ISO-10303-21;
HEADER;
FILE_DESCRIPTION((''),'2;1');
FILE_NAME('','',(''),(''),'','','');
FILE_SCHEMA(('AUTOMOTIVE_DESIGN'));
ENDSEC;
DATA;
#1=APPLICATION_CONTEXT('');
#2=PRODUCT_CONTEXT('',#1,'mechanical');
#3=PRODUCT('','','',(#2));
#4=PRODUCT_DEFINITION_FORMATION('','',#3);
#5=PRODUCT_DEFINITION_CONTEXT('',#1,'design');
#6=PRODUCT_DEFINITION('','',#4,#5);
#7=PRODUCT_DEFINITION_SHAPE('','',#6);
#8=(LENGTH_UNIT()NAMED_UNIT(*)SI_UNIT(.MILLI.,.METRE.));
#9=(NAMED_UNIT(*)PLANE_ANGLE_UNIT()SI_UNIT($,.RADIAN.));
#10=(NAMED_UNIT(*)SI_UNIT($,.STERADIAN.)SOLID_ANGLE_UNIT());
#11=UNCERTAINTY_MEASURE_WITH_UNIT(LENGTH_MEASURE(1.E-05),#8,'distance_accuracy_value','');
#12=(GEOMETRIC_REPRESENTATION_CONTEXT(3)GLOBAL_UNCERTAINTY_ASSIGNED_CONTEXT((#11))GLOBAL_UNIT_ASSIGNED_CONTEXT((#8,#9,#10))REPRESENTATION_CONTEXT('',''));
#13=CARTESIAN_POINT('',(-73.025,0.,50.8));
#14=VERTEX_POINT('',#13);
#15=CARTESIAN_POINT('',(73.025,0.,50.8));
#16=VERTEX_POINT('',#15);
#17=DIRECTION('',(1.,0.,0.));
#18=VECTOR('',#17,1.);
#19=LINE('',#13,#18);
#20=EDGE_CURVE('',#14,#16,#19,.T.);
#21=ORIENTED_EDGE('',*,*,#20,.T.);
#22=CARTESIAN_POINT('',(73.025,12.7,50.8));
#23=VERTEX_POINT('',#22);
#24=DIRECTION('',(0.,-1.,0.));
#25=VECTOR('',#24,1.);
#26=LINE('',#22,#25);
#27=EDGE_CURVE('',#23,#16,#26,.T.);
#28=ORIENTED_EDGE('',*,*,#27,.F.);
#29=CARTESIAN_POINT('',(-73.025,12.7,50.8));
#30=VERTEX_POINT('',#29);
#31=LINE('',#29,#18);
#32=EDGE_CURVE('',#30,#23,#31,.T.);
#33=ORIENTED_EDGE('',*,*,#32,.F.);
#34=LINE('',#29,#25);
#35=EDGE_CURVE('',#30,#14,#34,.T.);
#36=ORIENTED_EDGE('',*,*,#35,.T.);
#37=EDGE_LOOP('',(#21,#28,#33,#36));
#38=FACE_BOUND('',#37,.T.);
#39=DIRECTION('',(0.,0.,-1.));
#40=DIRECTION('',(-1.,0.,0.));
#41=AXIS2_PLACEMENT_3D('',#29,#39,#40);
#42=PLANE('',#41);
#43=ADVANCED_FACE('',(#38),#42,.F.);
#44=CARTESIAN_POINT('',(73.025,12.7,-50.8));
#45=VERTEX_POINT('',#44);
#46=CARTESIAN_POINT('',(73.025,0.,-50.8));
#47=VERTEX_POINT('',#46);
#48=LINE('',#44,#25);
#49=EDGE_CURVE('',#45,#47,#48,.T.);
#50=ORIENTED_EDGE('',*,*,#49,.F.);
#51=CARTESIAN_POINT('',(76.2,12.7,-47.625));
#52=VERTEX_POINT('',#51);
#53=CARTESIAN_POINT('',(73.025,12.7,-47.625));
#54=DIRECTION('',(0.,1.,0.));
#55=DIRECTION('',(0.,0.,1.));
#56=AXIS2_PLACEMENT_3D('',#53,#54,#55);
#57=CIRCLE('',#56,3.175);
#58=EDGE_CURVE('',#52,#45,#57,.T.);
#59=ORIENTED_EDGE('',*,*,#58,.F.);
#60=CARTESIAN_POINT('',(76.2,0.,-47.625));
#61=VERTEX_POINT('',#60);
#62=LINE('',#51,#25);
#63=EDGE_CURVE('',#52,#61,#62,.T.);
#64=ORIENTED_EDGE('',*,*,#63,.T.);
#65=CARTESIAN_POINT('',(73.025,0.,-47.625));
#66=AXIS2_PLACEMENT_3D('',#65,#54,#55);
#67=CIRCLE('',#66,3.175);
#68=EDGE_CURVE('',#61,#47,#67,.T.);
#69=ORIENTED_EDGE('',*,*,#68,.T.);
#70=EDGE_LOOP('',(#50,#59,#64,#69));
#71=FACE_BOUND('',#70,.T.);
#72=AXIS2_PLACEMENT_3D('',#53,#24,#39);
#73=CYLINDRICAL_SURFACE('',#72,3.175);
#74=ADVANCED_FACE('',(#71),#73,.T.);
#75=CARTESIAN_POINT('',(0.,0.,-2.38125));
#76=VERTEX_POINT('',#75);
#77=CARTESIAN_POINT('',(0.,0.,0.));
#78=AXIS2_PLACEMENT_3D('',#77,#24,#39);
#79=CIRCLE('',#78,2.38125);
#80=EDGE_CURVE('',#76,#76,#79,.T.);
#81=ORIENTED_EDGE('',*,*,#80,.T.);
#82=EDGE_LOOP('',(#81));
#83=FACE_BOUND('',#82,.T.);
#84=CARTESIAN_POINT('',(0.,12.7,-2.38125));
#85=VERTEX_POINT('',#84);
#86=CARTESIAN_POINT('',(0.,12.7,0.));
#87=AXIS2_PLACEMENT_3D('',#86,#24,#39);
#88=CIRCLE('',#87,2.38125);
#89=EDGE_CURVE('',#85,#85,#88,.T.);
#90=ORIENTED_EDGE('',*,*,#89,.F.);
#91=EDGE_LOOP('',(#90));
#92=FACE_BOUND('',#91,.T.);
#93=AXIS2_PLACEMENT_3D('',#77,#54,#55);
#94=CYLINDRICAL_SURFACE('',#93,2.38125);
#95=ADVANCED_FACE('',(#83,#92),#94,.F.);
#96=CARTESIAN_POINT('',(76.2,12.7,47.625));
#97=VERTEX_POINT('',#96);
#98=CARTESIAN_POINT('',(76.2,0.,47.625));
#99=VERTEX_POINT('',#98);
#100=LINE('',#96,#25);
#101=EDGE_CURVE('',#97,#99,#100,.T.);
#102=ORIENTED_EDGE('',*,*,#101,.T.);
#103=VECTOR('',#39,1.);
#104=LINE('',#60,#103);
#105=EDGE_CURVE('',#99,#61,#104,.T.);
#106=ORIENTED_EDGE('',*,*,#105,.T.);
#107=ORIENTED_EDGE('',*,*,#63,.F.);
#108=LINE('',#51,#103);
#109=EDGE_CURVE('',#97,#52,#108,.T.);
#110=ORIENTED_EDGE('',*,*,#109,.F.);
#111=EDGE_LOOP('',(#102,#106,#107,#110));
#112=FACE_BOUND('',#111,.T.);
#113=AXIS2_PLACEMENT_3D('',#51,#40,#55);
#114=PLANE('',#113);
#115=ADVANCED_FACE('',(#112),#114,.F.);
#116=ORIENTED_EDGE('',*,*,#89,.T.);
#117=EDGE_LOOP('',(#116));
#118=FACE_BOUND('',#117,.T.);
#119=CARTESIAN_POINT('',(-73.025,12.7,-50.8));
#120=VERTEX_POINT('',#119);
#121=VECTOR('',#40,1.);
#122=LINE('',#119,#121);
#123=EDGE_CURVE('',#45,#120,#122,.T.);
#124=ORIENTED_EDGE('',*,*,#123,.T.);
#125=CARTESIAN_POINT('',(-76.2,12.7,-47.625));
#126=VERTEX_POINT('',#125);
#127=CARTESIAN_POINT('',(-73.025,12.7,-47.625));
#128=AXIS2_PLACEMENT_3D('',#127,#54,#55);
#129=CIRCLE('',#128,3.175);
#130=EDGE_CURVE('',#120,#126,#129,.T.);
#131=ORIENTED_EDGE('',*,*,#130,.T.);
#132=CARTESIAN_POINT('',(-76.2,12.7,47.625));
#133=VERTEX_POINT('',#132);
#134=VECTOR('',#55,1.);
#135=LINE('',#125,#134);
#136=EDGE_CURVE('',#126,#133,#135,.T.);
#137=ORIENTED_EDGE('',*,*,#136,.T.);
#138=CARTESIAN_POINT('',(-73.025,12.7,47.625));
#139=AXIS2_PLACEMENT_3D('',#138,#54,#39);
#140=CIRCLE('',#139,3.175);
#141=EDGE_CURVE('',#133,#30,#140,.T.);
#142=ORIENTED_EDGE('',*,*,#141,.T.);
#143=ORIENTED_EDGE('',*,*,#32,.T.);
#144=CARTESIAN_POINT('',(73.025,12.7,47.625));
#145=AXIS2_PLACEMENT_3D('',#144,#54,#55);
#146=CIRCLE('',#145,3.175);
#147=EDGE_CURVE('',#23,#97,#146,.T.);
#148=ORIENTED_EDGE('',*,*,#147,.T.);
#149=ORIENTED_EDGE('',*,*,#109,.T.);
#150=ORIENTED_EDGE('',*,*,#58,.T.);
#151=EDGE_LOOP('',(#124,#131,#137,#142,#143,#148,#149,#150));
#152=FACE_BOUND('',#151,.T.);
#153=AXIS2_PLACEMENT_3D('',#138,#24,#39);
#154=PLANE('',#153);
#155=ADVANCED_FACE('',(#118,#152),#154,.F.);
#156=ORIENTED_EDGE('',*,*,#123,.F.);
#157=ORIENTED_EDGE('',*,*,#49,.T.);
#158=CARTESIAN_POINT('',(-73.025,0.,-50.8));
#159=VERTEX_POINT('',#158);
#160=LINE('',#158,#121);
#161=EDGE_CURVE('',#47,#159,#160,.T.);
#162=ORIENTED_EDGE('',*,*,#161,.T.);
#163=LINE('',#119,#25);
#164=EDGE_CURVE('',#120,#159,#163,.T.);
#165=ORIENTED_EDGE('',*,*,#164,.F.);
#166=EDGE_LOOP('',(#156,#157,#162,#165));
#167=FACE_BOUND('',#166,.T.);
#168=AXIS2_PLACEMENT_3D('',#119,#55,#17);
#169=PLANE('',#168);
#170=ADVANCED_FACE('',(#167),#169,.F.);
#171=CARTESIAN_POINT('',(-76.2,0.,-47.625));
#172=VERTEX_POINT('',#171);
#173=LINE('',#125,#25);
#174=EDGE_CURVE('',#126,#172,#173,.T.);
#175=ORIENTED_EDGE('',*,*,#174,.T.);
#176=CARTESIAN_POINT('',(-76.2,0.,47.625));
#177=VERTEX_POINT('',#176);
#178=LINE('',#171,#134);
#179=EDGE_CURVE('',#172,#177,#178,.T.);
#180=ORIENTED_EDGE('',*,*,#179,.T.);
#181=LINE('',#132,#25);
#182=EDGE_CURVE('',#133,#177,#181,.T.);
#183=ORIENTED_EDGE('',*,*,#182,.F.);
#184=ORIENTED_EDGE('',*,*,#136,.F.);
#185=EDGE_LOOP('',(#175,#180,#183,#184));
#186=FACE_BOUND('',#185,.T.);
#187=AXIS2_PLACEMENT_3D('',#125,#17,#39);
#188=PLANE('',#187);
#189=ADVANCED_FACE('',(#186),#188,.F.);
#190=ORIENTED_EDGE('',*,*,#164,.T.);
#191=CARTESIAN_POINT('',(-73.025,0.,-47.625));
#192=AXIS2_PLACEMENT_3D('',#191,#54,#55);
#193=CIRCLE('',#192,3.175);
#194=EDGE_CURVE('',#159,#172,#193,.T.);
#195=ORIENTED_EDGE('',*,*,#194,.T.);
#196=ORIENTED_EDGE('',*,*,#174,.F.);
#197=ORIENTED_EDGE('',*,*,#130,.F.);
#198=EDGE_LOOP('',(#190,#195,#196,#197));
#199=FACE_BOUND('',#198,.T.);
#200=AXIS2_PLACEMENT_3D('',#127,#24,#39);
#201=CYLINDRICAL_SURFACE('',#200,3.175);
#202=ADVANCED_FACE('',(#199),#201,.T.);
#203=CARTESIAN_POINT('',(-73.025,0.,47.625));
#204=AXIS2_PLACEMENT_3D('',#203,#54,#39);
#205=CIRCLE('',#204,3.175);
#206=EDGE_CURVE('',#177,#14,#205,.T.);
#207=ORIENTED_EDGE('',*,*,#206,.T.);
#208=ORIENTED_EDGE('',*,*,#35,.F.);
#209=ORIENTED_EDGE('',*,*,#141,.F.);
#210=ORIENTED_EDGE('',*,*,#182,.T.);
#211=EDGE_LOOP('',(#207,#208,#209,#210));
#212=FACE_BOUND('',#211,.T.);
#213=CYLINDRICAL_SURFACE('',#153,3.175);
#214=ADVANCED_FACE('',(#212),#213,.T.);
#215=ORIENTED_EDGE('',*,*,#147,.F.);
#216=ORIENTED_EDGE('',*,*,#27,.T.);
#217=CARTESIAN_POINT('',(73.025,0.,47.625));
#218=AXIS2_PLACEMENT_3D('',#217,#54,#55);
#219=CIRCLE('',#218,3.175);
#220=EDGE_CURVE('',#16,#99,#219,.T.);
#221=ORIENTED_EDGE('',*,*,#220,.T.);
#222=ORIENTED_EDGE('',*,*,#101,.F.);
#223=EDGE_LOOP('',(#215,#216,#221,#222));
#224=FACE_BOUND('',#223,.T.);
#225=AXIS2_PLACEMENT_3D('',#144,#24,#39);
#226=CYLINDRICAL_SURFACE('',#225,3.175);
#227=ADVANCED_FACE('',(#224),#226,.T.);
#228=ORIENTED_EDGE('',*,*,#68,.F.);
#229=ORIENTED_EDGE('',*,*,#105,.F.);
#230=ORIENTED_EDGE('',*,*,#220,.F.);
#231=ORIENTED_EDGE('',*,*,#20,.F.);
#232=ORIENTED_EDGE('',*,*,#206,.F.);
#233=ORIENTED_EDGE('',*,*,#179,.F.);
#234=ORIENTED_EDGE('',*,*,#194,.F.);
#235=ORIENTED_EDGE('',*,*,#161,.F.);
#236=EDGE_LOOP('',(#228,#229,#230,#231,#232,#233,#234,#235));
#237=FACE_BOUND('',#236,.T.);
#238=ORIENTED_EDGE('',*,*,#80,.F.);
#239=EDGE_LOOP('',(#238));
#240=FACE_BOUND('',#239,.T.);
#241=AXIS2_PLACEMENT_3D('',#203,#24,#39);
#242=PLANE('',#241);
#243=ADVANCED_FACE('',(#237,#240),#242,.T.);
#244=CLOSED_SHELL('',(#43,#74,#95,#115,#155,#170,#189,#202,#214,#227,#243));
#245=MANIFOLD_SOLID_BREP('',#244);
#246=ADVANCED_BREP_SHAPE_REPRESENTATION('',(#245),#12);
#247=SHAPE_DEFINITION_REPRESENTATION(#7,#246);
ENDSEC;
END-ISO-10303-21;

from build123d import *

# Parameters (mm, degrees)
BOSS_EXTRUDE1_DEPTH = 12.7
CUT_EXTRUDE1_START  = 12.7
SKETCH2_R           = 2.38125
CUT_EXTRUDE1_DEPTH  = 13.7


with BuildPart() as part:
    # Sketch1 → Boss-Extrude1 (new body)
    with BuildSketch(Plane(origin=(0, 0, 0), x_dir=(1, 0, 0), z_dir=(0, 1, 0))):
        with BuildLine():
            Line((-73.025, 50.8), (73.025, 50.8))
            ThreePointArc((73.025, 50.8), (75.27006403, 49.87006403), (76.2, 47.625))
            Line((76.2, 47.625), (76.2, -47.625))
            ThreePointArc((76.2, -47.625), (75.27006403, -49.87006403), (73.025, -50.8))
            Line((73.025, -50.8), (-73.025, -50.8))
            ThreePointArc((-73.025, -50.8), (-75.27006403, -49.87006403), (-76.2, -47.625))
            Line((-76.2, -47.625), (-76.2, 47.625))
            ThreePointArc((-76.2, 47.625), (-75.27006403, 49.87006403), (-73.025, 50.8))
        make_face()
    extrude(amount=BOSS_EXTRUDE1_DEPTH)

    # Sketch2 → Cut-Extrude1 (cut, through all)
    with BuildSketch(Plane(origin=(0, 0, 0), x_dir=(1, 0, 0), z_dir=(0, 1, 0)).offset(CUT_EXTRUDE1_START)):
        Circle(SKETCH2_R)
    extrude(amount=-CUT_EXTRUDE1_DEPTH, mode=Mode.SUBTRACT)


solid = part.part
